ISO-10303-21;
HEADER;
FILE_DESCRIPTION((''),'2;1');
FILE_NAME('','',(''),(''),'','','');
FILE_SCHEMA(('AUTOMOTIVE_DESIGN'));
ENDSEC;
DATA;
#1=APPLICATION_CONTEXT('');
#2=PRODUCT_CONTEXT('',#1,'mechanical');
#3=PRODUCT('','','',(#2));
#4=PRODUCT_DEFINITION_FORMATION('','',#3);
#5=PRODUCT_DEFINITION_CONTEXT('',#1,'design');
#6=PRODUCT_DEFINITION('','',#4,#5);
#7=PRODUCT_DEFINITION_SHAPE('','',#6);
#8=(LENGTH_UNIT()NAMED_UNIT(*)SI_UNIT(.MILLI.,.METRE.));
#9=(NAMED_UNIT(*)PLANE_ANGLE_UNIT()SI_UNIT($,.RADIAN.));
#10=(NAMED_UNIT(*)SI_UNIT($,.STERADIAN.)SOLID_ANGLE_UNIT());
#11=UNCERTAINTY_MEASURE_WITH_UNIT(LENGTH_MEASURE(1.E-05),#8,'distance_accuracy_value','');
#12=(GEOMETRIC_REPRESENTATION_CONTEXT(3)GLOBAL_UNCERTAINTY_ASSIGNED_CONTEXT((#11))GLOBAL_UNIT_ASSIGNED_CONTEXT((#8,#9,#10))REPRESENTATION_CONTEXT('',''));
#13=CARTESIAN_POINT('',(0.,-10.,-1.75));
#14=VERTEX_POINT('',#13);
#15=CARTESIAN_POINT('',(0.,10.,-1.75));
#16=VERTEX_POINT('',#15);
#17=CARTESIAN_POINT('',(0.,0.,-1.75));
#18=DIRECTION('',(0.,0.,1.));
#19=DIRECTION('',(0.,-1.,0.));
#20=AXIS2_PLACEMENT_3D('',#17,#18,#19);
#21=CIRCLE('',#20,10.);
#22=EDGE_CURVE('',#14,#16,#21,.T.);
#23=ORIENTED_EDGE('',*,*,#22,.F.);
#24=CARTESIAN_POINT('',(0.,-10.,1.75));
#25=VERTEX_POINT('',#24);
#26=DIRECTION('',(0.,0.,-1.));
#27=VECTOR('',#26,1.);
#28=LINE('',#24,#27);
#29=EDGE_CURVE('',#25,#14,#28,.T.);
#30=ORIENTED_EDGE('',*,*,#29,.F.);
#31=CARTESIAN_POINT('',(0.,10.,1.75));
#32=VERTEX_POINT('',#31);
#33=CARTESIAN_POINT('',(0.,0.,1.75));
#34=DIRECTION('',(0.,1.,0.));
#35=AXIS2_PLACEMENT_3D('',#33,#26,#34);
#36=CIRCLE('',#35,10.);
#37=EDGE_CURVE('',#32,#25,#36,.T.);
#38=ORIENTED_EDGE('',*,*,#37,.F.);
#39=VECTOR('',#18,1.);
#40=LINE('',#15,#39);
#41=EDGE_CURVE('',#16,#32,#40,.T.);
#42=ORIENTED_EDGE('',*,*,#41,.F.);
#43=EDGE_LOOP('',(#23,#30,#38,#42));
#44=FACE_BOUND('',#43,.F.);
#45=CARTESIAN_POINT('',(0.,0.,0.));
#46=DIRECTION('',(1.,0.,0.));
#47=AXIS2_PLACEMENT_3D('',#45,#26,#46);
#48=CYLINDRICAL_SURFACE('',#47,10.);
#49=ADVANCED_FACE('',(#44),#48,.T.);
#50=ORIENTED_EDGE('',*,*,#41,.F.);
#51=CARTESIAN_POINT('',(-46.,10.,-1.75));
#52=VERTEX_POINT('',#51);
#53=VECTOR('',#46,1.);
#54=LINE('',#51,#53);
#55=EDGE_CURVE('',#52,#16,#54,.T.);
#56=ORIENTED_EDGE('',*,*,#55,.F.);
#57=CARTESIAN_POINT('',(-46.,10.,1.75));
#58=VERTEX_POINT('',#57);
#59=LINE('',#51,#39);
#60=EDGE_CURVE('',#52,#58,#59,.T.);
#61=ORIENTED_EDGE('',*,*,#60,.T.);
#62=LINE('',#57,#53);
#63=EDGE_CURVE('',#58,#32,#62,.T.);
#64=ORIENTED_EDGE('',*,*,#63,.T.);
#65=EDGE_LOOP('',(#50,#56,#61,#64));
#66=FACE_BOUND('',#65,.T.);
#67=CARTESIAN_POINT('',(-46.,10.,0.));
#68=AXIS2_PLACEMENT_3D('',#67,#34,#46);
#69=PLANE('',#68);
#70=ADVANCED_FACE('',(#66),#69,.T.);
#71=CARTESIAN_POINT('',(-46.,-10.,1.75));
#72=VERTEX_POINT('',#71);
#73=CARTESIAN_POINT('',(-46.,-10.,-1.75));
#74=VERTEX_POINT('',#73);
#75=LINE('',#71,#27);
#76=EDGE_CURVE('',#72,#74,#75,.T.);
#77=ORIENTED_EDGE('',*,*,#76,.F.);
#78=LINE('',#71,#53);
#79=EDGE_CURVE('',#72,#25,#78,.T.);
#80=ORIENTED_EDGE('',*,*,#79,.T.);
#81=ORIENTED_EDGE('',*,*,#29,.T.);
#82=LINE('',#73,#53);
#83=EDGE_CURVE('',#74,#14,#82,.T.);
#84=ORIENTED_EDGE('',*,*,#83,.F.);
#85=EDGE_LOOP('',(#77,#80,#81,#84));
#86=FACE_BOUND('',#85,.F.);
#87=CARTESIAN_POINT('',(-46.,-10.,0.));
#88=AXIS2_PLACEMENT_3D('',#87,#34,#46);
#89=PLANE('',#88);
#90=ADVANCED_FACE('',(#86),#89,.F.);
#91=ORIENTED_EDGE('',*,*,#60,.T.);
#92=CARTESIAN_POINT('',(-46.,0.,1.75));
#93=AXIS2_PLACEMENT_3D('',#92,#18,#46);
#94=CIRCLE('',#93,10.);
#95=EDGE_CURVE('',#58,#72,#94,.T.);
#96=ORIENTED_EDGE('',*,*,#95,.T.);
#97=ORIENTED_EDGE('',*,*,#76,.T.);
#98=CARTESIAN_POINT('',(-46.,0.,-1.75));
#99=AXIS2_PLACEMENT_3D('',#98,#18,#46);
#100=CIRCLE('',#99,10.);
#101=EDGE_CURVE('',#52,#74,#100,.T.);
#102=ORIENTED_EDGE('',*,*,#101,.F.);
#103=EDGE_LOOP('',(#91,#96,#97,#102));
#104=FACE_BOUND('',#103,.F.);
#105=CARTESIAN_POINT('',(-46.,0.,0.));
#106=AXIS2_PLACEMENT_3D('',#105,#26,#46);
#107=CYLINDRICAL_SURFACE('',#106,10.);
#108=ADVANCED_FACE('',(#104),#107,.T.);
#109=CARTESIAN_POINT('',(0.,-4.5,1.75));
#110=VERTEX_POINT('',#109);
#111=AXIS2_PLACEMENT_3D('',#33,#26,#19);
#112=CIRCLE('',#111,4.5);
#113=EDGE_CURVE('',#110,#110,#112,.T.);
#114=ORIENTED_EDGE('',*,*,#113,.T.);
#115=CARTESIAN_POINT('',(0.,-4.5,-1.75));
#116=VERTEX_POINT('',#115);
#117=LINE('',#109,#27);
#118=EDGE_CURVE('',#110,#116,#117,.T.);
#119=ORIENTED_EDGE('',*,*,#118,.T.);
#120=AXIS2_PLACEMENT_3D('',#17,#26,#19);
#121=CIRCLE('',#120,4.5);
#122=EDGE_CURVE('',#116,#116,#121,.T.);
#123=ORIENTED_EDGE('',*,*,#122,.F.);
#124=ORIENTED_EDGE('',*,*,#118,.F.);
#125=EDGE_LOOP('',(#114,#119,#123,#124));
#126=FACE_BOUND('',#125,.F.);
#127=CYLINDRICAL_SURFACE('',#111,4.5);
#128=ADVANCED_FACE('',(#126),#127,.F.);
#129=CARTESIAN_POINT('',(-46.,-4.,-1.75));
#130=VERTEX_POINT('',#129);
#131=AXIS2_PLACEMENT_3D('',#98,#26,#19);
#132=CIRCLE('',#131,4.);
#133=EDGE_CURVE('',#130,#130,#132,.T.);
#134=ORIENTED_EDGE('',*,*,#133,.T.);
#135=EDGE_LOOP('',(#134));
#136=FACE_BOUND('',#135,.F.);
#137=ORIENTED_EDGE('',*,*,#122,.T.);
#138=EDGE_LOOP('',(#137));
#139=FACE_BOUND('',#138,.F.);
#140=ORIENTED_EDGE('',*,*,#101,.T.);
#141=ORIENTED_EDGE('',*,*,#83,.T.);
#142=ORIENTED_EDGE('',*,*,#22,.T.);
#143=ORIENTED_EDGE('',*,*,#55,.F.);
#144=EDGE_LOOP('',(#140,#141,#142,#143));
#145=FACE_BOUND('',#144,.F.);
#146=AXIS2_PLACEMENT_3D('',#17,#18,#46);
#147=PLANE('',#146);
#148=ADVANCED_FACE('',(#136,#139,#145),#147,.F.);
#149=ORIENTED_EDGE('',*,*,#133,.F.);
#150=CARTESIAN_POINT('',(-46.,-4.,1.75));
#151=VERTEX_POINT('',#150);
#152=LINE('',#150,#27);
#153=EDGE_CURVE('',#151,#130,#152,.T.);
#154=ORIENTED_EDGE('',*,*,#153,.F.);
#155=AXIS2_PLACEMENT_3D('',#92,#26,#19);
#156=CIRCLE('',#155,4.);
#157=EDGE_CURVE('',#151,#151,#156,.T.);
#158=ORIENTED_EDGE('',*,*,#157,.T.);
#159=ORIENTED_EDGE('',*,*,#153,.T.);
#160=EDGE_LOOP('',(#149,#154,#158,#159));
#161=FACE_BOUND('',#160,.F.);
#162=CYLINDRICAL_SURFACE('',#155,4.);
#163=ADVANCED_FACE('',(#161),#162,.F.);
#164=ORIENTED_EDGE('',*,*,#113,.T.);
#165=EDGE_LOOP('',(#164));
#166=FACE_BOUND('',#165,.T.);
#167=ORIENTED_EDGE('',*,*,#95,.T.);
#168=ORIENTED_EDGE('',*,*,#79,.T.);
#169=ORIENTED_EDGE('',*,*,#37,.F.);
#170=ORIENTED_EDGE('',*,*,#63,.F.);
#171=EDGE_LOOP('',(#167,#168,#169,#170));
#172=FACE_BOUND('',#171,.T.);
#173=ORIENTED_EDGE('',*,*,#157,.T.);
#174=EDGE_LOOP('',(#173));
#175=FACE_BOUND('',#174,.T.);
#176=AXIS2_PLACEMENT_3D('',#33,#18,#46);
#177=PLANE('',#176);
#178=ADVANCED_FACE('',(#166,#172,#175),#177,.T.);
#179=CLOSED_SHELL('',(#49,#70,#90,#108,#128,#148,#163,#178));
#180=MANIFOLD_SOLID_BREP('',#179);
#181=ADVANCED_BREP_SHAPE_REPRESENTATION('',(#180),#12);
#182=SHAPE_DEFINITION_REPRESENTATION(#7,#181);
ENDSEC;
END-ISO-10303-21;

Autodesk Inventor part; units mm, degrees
ref_plane "YZ Plane" through (0, 0, 0) normal (1, 0, 0) x (0, 1, 0)
ref_plane "XZ Plane" through (0, 0, 0) normal (0, 1, 0) x (-1, 0, 0)
ref_plane "XY Plane" through (0, 0, 0) normal (0, 0, 1) x (1, 0, 0)
sketch "Sketch1" plane through (0, 0, 0) normal (0, 0, 1) x (1, 0, 0)
  circle A0 centre (0, 0) radius 10
  line L0 (0, 0) -> (-46, 0) construction
  circle A1 centre (-46, 0) radius 10
  line L1 (-46, 10) -> (0, 10)
  line L2 (-46, -10) -> (0, -10)
  dimension "d0" = 20
  dimension "d1" = 20
  dimension "d2" = 46
extrude "Extrusion1" add sketch "Sketch1" along normal mid plane 3.5
hole "Hole3" at (-46, 0, 1.75) direction (0, 0, -1) diameter 8 end through all
hole "Hole4" at (0, 0, 1.75) direction (0, 0, -1) diameter 9 end through all
properties part number "201-12" material "Steel"
